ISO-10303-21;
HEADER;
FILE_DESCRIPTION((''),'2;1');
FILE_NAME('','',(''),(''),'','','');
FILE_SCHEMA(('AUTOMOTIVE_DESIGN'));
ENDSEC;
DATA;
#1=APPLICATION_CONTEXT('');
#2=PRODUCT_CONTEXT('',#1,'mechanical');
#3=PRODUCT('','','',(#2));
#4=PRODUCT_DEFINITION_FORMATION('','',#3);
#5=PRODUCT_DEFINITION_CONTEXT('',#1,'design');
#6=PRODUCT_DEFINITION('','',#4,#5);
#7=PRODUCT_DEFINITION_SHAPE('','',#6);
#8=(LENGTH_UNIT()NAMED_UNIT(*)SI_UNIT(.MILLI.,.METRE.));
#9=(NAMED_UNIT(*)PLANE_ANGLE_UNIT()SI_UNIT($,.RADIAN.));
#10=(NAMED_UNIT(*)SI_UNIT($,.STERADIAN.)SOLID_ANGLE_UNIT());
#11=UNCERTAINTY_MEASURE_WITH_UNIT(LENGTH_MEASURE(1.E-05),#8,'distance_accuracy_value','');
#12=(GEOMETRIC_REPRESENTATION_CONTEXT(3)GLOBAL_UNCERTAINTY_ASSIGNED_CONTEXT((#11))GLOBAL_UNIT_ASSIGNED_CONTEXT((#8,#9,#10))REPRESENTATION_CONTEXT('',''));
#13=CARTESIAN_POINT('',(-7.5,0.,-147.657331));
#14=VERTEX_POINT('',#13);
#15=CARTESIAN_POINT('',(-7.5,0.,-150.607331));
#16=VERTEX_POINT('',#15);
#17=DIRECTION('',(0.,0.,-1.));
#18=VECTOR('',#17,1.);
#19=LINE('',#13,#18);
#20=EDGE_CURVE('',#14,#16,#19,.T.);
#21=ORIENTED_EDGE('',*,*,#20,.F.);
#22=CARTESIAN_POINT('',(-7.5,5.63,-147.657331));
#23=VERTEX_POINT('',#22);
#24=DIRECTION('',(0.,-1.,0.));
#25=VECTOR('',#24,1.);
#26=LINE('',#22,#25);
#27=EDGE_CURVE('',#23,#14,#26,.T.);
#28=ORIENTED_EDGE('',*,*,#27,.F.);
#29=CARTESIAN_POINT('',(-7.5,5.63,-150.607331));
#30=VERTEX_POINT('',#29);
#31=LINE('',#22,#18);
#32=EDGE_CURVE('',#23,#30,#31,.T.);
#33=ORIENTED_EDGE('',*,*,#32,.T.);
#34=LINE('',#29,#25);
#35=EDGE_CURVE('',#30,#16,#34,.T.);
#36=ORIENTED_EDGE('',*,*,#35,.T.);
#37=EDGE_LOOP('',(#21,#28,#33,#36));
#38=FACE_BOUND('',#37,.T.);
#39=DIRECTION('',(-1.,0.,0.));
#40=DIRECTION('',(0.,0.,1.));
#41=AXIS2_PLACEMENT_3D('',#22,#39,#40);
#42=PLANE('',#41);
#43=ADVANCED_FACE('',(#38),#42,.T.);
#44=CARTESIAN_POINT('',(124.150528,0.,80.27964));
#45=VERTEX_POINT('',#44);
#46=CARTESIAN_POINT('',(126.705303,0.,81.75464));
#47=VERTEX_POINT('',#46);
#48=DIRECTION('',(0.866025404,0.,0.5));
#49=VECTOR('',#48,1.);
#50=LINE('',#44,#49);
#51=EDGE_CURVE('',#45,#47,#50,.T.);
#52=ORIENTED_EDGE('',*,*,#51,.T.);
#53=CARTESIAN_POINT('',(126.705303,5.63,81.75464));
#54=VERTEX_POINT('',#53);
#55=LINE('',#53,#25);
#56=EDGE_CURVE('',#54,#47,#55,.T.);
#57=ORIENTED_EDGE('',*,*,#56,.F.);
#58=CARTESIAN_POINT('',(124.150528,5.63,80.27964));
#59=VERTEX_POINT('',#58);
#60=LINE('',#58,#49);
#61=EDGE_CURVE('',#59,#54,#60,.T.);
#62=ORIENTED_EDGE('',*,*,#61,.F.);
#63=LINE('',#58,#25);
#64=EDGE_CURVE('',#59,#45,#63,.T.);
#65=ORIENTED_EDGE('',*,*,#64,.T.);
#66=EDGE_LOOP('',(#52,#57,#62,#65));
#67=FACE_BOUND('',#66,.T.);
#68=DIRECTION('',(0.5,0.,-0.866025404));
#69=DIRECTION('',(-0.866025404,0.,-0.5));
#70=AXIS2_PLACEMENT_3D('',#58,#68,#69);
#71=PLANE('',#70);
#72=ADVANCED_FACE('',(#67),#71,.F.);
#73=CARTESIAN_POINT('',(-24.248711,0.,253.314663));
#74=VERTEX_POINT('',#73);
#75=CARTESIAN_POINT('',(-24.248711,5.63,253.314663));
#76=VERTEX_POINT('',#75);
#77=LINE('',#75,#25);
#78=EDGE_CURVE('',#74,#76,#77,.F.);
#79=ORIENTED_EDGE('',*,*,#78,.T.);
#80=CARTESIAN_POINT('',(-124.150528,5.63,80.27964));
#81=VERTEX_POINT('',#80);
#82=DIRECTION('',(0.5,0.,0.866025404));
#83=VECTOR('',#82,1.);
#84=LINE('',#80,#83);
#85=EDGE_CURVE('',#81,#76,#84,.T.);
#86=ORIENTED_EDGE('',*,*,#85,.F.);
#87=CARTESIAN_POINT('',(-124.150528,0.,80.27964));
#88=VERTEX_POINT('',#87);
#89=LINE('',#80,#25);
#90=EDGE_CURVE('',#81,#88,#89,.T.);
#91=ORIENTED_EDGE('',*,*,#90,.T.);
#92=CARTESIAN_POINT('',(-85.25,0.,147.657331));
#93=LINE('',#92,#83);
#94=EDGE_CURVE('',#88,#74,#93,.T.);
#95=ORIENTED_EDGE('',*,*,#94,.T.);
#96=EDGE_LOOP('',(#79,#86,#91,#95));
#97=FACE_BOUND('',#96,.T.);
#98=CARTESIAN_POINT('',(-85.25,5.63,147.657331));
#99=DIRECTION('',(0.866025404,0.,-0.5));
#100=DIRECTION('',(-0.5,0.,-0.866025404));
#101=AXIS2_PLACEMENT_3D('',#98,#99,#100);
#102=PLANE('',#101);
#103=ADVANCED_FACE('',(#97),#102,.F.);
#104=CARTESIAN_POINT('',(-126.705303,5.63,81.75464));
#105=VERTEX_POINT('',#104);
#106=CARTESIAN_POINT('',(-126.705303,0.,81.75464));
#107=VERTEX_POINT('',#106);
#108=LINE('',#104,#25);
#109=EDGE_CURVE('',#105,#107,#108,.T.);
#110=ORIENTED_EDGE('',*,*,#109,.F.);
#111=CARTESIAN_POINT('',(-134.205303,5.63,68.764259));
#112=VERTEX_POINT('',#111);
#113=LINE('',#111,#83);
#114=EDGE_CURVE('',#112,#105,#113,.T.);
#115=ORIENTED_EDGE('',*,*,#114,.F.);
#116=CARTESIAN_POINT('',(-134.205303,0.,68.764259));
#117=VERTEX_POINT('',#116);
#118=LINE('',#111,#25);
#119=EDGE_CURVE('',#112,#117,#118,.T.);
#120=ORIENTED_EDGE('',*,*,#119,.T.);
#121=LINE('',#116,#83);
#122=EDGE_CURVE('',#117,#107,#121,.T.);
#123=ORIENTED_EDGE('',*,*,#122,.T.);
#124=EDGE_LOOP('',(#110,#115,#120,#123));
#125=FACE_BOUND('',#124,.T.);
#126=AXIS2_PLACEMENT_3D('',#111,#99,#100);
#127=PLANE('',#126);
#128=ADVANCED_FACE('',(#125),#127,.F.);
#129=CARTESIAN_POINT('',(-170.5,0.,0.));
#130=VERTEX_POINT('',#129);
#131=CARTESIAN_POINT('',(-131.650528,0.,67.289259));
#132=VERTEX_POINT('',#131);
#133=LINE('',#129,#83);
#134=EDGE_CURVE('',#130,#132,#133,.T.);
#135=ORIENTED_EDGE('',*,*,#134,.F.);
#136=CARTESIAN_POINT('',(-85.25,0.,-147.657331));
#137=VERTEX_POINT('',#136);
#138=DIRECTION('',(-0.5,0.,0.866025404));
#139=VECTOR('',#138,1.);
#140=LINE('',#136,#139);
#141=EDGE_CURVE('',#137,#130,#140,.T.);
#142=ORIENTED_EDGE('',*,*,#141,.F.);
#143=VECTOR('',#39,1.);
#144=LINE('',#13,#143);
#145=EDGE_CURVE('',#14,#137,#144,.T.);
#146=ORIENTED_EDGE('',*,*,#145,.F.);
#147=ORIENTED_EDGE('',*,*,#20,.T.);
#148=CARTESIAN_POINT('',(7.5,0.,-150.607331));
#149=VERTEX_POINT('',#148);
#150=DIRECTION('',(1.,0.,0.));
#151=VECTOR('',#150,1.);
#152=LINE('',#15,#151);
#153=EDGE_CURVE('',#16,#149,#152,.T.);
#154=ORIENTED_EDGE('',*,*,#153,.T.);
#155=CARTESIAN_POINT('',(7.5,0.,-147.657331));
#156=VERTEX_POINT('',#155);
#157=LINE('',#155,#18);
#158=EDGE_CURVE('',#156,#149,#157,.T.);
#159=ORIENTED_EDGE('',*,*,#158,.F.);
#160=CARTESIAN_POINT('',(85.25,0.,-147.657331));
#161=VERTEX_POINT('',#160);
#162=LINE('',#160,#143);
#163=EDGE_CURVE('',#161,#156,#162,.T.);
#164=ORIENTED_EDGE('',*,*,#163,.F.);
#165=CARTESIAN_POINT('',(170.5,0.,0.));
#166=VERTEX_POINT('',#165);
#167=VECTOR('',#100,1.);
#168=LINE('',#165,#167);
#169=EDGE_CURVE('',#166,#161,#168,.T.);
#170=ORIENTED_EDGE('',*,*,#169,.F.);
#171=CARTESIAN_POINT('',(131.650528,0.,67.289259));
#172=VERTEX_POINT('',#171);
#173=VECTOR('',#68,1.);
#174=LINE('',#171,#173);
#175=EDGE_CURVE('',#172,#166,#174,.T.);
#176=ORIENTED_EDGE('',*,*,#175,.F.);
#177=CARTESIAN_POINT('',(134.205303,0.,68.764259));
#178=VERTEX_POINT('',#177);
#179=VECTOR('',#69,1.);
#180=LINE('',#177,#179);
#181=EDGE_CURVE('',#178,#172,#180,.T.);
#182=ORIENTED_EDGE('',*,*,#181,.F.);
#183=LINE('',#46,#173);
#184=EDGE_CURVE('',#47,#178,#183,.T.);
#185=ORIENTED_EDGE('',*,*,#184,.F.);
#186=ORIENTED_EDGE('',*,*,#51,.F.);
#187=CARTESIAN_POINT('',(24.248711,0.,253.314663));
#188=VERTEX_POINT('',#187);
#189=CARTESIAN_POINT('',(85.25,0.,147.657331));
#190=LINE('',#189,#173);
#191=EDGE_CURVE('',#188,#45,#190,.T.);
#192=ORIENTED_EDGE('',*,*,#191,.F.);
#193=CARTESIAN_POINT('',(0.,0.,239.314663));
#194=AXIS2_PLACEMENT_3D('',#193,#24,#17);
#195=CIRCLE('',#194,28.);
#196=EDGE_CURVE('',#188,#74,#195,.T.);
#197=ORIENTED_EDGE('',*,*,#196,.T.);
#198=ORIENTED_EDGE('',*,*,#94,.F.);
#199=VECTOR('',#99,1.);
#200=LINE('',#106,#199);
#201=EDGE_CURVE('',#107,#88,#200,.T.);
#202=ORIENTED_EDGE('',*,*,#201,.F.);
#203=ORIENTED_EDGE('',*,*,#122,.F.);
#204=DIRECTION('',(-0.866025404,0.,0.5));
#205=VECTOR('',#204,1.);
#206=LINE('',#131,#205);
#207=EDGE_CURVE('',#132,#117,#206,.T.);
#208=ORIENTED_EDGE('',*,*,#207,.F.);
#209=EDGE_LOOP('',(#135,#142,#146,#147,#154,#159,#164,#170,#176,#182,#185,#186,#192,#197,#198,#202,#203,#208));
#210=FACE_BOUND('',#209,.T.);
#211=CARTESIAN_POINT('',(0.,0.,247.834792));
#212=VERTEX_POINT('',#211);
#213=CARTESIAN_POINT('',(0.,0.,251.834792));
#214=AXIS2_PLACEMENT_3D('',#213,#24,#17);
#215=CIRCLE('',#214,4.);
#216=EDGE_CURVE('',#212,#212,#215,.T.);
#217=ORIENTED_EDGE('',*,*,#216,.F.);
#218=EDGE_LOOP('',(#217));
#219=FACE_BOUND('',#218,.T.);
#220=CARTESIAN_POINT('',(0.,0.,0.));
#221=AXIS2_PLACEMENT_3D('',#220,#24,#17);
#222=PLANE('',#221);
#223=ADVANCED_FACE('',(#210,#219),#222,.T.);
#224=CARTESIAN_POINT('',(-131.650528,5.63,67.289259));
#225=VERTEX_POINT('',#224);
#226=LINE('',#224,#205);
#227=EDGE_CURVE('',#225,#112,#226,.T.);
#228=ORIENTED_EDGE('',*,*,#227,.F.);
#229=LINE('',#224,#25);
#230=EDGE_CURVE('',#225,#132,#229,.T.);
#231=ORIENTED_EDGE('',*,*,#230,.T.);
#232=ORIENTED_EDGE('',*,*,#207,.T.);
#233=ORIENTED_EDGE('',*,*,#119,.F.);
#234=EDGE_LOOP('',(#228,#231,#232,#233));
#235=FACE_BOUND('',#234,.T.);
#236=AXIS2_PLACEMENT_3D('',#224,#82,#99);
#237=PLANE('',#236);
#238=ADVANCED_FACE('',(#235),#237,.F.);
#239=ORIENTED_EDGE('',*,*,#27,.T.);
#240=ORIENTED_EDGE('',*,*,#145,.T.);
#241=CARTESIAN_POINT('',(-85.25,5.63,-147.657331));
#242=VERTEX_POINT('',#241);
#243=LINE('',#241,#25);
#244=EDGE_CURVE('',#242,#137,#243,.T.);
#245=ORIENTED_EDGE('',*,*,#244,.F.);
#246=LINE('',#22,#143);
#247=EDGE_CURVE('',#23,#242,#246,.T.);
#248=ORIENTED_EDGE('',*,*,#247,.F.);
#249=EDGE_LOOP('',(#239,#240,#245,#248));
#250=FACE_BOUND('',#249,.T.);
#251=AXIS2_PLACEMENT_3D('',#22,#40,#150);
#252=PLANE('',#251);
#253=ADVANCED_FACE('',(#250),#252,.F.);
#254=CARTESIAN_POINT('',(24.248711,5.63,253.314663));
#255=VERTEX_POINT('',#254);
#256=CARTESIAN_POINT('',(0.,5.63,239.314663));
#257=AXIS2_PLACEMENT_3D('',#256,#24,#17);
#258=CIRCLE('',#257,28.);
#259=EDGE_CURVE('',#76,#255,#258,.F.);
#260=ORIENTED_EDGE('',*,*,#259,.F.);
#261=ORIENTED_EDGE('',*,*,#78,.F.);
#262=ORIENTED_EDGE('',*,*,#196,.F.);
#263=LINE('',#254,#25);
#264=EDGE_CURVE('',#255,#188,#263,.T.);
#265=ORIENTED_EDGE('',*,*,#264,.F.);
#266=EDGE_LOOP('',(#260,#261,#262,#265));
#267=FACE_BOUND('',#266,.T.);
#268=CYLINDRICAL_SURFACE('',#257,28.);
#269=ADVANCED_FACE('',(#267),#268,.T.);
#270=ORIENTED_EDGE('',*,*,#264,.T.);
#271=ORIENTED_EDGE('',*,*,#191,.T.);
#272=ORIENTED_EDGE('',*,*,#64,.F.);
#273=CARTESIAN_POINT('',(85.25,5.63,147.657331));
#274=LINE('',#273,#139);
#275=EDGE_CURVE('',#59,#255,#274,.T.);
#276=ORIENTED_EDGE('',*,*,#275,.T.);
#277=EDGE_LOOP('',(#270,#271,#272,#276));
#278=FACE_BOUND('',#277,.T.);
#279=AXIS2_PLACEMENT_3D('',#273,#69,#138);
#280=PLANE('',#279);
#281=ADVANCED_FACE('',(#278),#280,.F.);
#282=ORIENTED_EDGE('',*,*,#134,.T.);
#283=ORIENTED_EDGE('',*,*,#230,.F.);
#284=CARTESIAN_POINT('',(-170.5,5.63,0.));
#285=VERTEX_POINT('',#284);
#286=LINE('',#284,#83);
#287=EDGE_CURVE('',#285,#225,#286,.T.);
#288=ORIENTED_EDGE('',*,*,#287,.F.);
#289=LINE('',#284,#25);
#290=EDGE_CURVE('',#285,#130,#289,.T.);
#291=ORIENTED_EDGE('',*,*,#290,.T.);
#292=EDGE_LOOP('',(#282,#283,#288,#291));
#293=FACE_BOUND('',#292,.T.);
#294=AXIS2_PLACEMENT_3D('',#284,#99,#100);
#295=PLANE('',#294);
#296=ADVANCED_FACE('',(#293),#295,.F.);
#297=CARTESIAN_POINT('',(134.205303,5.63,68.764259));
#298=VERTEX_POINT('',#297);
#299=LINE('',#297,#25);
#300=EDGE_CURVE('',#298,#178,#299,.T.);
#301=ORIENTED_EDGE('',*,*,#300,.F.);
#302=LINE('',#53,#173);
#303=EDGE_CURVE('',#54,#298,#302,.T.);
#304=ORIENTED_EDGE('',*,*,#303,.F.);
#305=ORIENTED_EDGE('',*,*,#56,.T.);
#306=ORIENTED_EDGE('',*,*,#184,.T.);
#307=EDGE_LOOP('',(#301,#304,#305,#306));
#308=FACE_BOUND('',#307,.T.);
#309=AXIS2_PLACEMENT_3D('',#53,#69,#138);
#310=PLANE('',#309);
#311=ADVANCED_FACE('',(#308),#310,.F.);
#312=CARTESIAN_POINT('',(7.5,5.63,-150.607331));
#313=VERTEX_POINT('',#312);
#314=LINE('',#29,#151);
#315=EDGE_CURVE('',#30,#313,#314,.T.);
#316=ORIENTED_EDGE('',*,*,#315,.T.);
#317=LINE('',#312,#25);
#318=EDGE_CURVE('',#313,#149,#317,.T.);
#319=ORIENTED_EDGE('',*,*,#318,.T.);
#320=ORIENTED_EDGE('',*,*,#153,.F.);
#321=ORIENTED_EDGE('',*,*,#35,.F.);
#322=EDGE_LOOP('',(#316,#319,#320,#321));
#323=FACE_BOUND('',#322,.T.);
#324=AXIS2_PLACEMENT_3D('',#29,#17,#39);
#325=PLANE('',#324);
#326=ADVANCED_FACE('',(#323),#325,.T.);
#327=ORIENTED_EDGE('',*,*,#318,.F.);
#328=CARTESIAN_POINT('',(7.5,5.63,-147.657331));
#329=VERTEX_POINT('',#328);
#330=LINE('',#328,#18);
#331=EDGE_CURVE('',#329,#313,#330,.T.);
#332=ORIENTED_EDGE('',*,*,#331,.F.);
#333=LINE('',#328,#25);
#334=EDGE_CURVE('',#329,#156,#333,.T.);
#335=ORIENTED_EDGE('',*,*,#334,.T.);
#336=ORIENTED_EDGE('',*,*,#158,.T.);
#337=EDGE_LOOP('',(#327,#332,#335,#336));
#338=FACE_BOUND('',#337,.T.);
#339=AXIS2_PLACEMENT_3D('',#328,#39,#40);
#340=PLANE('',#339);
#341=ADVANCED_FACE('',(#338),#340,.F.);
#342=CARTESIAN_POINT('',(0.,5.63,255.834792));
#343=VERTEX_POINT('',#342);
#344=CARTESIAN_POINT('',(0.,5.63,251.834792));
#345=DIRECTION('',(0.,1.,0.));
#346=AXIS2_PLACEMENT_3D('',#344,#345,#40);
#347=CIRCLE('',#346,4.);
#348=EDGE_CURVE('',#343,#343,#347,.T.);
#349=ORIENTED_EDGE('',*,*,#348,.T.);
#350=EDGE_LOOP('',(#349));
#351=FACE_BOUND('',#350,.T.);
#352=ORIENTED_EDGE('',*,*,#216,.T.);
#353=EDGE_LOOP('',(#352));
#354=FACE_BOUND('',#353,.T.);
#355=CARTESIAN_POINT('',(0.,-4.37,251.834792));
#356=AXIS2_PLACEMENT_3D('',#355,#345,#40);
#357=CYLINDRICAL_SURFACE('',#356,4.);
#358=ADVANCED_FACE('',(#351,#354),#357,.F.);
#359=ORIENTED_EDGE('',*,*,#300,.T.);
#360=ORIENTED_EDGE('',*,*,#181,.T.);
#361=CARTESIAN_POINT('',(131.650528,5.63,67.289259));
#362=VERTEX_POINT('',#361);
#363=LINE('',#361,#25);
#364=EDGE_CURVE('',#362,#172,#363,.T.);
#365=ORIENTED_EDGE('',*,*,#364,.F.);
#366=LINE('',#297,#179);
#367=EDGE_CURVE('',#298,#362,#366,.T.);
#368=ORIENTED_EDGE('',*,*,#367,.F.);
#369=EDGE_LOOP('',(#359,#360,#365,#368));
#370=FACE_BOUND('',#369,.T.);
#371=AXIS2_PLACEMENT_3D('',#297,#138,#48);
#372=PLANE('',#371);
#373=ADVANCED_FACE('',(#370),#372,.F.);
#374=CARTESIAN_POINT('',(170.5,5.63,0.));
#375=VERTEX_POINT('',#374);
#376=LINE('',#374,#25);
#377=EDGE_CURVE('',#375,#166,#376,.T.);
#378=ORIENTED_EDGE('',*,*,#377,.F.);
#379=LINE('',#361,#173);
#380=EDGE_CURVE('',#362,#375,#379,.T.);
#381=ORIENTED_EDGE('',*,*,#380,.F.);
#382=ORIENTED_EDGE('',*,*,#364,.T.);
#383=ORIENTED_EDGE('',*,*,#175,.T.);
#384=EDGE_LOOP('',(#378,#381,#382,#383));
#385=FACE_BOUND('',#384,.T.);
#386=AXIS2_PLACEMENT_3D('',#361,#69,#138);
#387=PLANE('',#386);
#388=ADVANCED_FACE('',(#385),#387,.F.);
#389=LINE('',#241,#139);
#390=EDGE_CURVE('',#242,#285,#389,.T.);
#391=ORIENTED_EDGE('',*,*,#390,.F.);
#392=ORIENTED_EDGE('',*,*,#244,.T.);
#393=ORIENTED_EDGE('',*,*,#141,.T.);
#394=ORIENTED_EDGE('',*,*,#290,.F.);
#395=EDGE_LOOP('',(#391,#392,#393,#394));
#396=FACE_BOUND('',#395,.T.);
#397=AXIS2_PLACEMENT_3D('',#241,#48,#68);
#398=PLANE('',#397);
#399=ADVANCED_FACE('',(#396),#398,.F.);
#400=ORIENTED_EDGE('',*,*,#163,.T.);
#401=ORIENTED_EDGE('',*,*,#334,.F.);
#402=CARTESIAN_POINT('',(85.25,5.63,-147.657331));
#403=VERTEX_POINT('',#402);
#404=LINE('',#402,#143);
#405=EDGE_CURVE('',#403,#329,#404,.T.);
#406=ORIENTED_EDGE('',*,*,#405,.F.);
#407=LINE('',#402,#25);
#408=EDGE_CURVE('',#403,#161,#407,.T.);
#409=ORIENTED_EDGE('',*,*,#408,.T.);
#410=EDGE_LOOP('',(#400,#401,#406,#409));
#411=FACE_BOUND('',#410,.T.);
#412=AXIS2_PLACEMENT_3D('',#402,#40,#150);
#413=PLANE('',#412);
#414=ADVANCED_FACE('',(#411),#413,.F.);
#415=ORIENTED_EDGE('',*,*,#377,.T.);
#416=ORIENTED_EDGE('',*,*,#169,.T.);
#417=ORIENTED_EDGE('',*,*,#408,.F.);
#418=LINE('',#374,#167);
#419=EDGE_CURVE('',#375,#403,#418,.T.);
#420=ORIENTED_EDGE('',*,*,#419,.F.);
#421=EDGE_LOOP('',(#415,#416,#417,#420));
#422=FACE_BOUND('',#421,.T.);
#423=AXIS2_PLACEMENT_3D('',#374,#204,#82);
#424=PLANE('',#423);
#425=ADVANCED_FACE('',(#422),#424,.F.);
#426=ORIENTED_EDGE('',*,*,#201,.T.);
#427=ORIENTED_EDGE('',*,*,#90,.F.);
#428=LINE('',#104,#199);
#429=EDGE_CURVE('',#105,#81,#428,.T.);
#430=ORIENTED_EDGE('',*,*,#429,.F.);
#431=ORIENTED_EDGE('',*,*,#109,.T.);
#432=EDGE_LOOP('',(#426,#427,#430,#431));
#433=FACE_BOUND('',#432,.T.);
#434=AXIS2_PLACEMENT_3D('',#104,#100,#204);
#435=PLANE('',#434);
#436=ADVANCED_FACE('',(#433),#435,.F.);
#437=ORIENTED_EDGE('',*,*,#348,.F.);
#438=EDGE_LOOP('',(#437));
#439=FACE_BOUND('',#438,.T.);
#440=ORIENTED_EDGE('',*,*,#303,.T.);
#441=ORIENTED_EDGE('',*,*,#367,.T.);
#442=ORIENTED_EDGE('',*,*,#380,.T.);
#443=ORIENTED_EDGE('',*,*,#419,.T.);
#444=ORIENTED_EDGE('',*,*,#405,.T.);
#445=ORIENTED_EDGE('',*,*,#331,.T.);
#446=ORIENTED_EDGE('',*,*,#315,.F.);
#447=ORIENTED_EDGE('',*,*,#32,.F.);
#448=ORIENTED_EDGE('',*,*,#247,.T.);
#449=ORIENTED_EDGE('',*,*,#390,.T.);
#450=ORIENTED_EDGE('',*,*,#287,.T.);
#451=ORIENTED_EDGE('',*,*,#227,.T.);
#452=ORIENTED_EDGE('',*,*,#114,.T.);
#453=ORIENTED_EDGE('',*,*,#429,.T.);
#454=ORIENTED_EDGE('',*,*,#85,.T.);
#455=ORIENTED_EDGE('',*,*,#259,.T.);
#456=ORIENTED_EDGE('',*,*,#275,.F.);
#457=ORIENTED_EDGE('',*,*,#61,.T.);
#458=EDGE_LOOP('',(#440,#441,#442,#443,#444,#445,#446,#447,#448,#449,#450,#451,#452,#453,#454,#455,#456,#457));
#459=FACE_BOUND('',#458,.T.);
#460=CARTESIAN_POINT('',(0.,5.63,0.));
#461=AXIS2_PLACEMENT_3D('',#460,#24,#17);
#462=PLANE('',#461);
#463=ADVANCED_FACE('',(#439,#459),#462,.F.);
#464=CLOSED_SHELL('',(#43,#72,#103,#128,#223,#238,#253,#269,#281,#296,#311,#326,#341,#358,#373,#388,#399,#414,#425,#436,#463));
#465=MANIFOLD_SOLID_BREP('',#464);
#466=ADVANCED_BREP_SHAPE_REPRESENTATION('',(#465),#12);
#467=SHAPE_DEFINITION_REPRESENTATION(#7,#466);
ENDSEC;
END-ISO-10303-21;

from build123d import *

# Parameters (mm, degrees)
BOSS_EXTRUDE1_DEPTH = 5.63
FILLET1_R           = 28
SKETCH2_R           = 4
CUT_EXTRUDE4_DEPTH  = 10


with BuildPart() as part:
    # Sketch1 → Boss-Extrude1 (new body)
    with BuildSketch(Plane(origin=(0, 0, 0), x_dir=(1, 0, 0), z_dir=(0, 1, 0))):
        Polygon((-7.5, 147.657331345), (-85.25, 147.657331345), (-170.5, 0), (-131.650528172, -67.289259053), (-134.205303113, -68.764259053), (-126.705303113, -81.75464011), (-124.150528172, -80.27964011), (-85.25, -147.657331345), (0, -295.31466269), (85.25, -147.657331345), (124.150528172, -80.27964011), (126.705303113, -81.75464011), (134.205303113, -68.764259053), (131.650528172, -67.289259053), (170.5, 0), (85.25, 147.657331345), (7.5, 147.657331345), (7.5, 150.607331345), (-7.5, 150.607331345), align=None)
    extrude(amount=BOSS_EXTRUDE1_DEPTH)

    # Fillet1
    fillet1_edges = [part.edges().sort_by_distance(p)[0] for p in [
        (0, 2.815, 295.31466269),
    ]]
    fillet(fillet1_edges, radius=FILLET1_R)

    # Sketch2 → Cut-Extrude4 (cut)
    with BuildSketch(Plane(origin=(0, 5.63, 0), x_dir=(1, 0, 0), z_dir=(0, 1, 0))):
        with Locations(Location((0, -251.834791554, 0), (0, 0, 270))):
            Circle(SKETCH2_R)
    extrude(amount=-CUT_EXTRUDE4_DEPTH, mode=Mode.SUBTRACT)


solid = part.part
